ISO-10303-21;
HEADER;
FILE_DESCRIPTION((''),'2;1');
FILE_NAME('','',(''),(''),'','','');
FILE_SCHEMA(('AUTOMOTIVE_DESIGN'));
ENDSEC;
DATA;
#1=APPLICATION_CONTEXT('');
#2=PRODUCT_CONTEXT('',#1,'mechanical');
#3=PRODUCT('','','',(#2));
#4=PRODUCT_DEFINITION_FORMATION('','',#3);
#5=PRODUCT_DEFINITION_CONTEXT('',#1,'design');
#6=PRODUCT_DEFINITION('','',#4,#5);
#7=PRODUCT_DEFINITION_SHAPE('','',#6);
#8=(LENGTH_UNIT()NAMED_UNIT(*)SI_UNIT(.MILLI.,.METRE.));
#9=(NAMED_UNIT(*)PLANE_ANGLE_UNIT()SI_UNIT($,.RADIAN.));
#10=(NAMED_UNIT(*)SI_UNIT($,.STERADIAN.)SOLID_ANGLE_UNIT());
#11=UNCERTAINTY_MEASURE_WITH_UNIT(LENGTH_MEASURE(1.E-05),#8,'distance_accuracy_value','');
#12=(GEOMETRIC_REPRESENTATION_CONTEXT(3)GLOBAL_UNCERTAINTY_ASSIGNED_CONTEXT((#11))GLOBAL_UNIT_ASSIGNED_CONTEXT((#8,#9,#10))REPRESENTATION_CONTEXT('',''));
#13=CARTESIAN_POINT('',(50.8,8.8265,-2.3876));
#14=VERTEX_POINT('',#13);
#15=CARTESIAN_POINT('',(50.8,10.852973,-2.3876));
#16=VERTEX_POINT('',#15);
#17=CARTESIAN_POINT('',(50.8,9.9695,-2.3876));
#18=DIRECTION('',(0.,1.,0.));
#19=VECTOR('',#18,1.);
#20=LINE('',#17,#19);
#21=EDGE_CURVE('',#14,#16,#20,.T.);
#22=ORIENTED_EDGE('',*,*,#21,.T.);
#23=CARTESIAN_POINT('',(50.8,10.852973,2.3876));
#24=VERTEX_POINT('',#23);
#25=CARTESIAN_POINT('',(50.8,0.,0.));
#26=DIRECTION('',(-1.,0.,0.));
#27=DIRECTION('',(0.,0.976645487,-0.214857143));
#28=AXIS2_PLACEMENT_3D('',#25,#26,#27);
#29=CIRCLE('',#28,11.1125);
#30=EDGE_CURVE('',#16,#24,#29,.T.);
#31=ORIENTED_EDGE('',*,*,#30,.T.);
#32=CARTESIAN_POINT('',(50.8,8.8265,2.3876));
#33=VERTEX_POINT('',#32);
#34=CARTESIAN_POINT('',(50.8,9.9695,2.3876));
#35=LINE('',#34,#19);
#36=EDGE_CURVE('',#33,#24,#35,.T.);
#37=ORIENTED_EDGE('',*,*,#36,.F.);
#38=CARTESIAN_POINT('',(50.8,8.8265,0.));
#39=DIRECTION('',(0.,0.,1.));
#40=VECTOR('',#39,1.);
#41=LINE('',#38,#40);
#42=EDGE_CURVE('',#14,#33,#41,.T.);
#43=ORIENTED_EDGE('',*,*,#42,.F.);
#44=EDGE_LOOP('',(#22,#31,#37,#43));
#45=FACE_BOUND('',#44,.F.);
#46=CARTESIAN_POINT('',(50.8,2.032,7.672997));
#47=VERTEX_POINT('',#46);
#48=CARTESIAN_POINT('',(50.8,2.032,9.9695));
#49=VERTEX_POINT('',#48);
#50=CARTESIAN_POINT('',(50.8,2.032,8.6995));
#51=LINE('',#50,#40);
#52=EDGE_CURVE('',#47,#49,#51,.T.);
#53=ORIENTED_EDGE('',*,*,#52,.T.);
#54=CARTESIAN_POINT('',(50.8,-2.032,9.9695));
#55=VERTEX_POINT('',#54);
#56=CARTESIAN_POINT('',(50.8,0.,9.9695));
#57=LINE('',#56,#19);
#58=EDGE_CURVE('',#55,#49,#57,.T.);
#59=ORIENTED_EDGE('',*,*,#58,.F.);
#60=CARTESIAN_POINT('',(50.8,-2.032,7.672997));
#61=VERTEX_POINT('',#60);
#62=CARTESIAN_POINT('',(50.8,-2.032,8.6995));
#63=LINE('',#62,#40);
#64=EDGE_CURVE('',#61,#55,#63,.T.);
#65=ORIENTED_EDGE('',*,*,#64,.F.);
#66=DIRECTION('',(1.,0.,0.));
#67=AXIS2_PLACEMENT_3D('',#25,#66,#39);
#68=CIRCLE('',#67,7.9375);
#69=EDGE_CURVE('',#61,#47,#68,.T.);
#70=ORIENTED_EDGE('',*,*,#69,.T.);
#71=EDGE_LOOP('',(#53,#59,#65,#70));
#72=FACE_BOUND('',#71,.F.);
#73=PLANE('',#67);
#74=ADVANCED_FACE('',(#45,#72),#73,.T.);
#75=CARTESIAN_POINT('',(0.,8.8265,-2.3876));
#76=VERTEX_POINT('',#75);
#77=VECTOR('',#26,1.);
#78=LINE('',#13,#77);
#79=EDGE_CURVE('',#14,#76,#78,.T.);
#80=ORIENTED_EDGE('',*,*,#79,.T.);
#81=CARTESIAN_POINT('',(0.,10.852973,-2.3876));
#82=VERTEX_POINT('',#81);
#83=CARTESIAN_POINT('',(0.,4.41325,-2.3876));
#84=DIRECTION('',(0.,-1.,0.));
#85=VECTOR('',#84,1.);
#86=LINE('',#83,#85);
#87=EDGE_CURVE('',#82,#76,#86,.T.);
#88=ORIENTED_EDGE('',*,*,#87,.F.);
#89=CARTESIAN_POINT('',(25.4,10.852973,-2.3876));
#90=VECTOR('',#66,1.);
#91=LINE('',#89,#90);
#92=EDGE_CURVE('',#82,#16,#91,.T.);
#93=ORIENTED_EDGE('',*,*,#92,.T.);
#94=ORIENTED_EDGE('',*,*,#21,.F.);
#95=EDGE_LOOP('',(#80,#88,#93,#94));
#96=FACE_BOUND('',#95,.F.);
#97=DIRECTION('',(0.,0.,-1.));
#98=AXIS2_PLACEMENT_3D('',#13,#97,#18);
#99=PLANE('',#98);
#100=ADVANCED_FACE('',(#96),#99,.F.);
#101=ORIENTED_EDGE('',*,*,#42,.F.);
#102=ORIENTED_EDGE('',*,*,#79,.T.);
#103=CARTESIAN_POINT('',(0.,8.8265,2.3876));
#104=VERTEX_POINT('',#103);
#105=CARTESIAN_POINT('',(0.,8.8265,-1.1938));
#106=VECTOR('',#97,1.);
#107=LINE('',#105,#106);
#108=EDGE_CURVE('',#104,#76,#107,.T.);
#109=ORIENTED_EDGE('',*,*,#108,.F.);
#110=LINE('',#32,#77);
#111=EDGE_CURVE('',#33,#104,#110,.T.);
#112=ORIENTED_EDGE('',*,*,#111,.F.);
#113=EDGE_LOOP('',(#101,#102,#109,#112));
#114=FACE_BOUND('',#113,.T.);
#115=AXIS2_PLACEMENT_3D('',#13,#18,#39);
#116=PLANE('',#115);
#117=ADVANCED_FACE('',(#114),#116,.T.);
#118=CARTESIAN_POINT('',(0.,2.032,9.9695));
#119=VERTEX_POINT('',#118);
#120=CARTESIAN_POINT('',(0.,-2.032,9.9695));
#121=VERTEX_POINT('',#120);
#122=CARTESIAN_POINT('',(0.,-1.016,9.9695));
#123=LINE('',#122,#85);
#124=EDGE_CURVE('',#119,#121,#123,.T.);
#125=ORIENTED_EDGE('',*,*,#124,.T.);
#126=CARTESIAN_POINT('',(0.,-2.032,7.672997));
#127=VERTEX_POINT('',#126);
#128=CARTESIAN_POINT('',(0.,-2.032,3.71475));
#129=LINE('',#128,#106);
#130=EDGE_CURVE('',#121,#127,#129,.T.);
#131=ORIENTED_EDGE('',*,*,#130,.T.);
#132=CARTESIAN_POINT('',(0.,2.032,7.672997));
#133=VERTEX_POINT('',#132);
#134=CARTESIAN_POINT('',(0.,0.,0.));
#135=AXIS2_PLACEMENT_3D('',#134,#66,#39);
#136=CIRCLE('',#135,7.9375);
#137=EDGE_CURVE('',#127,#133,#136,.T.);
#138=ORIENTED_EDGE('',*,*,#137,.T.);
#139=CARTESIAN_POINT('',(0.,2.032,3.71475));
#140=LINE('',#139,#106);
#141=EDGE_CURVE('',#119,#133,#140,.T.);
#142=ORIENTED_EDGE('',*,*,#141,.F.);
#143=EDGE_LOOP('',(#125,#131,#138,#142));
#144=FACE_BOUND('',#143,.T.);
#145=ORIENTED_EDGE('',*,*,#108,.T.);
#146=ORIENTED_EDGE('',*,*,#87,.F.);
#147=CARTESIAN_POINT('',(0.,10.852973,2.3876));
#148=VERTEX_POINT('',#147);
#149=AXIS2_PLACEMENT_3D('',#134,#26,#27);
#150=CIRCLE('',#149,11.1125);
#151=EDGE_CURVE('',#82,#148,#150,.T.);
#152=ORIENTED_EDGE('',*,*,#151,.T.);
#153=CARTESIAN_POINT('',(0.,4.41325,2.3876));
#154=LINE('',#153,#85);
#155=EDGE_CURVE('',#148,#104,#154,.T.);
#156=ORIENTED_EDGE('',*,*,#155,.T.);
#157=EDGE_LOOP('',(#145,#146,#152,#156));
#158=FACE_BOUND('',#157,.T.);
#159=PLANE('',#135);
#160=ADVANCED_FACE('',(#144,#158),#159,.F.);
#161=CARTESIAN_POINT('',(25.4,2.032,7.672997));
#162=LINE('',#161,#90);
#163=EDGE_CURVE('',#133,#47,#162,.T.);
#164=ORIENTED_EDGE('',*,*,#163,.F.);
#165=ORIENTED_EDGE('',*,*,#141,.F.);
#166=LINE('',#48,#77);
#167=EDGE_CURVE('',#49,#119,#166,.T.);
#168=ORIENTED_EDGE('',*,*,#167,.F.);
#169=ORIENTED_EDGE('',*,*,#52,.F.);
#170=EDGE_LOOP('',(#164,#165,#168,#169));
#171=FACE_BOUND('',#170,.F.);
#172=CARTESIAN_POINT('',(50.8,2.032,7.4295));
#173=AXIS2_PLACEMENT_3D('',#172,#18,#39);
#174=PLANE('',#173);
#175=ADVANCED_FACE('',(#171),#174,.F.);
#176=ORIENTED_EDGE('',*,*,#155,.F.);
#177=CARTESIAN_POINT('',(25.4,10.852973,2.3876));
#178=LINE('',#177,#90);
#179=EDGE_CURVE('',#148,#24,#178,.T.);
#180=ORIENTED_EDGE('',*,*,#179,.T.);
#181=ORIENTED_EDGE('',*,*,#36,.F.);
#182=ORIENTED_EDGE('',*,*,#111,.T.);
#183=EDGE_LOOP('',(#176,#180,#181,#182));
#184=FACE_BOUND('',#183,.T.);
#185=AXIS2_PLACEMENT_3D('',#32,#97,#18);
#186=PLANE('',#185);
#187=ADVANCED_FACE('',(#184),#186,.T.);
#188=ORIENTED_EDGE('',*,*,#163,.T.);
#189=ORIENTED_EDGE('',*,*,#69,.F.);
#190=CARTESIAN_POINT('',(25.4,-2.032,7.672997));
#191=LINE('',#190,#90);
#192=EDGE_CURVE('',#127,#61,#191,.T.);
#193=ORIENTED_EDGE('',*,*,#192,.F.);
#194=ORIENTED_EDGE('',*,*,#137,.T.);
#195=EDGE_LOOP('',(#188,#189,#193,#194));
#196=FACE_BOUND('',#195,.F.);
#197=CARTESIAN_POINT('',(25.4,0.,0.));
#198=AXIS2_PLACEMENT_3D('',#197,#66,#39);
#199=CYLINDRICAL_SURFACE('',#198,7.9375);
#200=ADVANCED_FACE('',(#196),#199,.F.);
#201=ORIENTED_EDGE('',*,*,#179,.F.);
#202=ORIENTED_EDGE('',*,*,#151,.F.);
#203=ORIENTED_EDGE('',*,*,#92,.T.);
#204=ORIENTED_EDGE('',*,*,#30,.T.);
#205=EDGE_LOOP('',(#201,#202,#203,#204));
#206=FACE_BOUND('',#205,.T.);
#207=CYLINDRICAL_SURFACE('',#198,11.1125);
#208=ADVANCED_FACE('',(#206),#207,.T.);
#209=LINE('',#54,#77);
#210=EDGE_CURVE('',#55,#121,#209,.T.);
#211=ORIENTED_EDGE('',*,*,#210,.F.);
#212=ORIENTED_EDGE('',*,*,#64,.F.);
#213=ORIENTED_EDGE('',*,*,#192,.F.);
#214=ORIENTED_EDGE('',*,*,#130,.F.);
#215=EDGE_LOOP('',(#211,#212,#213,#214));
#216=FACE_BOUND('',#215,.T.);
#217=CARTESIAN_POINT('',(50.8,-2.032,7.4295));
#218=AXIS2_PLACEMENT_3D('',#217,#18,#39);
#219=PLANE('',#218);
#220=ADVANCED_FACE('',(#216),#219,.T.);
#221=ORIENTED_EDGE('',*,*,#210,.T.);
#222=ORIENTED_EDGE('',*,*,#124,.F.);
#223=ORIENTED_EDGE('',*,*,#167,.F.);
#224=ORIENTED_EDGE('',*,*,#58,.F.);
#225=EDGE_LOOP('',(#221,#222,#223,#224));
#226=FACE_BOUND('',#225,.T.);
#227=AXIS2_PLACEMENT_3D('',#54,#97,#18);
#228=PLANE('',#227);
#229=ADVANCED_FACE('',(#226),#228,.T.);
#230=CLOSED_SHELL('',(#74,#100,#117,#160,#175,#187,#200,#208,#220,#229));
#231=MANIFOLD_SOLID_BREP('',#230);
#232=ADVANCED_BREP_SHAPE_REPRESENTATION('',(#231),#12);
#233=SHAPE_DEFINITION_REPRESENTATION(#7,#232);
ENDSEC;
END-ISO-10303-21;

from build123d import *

# Parameters (mm, degrees)
F0_W     = 50.8
F0_H     = 3.175
F2_W     = 4.064
F2_H     = 2.54
F3_DEPTH = 50.801
F4_W     = 2.286
F4_H     = 4.7752
F5_DEPTH = 50.801


with BuildPart() as f1:
    # F0 (on Front) → F1 (revolve)
    with BuildSketch(Plane.XZ):
        with Locations((25.4, 9.525)):
            Rectangle(F0_W, F0_H)
    revolve(axis=Axis((25.403365, 0, 0), (1, 0, 0)))

    # F2 (on face) → F3 (cut, through all)
    with BuildSketch(Plane.YZ.offset(50.8)):
        with Locations((0, 8.6995)):
            Rectangle(F2_W, F2_H)
    extrude(amount=-F3_DEPTH, mode=Mode.SUBTRACT)

    # F4 (on face) → F5 (cut, through all)
    with BuildSketch(Plane.YZ.offset(50.8)):
        with Locations((9.9695, 0)):
            Rectangle(F4_W, F4_H)
    extrude(amount=-F5_DEPTH, mode=Mode.SUBTRACT)


solid = f1.part
